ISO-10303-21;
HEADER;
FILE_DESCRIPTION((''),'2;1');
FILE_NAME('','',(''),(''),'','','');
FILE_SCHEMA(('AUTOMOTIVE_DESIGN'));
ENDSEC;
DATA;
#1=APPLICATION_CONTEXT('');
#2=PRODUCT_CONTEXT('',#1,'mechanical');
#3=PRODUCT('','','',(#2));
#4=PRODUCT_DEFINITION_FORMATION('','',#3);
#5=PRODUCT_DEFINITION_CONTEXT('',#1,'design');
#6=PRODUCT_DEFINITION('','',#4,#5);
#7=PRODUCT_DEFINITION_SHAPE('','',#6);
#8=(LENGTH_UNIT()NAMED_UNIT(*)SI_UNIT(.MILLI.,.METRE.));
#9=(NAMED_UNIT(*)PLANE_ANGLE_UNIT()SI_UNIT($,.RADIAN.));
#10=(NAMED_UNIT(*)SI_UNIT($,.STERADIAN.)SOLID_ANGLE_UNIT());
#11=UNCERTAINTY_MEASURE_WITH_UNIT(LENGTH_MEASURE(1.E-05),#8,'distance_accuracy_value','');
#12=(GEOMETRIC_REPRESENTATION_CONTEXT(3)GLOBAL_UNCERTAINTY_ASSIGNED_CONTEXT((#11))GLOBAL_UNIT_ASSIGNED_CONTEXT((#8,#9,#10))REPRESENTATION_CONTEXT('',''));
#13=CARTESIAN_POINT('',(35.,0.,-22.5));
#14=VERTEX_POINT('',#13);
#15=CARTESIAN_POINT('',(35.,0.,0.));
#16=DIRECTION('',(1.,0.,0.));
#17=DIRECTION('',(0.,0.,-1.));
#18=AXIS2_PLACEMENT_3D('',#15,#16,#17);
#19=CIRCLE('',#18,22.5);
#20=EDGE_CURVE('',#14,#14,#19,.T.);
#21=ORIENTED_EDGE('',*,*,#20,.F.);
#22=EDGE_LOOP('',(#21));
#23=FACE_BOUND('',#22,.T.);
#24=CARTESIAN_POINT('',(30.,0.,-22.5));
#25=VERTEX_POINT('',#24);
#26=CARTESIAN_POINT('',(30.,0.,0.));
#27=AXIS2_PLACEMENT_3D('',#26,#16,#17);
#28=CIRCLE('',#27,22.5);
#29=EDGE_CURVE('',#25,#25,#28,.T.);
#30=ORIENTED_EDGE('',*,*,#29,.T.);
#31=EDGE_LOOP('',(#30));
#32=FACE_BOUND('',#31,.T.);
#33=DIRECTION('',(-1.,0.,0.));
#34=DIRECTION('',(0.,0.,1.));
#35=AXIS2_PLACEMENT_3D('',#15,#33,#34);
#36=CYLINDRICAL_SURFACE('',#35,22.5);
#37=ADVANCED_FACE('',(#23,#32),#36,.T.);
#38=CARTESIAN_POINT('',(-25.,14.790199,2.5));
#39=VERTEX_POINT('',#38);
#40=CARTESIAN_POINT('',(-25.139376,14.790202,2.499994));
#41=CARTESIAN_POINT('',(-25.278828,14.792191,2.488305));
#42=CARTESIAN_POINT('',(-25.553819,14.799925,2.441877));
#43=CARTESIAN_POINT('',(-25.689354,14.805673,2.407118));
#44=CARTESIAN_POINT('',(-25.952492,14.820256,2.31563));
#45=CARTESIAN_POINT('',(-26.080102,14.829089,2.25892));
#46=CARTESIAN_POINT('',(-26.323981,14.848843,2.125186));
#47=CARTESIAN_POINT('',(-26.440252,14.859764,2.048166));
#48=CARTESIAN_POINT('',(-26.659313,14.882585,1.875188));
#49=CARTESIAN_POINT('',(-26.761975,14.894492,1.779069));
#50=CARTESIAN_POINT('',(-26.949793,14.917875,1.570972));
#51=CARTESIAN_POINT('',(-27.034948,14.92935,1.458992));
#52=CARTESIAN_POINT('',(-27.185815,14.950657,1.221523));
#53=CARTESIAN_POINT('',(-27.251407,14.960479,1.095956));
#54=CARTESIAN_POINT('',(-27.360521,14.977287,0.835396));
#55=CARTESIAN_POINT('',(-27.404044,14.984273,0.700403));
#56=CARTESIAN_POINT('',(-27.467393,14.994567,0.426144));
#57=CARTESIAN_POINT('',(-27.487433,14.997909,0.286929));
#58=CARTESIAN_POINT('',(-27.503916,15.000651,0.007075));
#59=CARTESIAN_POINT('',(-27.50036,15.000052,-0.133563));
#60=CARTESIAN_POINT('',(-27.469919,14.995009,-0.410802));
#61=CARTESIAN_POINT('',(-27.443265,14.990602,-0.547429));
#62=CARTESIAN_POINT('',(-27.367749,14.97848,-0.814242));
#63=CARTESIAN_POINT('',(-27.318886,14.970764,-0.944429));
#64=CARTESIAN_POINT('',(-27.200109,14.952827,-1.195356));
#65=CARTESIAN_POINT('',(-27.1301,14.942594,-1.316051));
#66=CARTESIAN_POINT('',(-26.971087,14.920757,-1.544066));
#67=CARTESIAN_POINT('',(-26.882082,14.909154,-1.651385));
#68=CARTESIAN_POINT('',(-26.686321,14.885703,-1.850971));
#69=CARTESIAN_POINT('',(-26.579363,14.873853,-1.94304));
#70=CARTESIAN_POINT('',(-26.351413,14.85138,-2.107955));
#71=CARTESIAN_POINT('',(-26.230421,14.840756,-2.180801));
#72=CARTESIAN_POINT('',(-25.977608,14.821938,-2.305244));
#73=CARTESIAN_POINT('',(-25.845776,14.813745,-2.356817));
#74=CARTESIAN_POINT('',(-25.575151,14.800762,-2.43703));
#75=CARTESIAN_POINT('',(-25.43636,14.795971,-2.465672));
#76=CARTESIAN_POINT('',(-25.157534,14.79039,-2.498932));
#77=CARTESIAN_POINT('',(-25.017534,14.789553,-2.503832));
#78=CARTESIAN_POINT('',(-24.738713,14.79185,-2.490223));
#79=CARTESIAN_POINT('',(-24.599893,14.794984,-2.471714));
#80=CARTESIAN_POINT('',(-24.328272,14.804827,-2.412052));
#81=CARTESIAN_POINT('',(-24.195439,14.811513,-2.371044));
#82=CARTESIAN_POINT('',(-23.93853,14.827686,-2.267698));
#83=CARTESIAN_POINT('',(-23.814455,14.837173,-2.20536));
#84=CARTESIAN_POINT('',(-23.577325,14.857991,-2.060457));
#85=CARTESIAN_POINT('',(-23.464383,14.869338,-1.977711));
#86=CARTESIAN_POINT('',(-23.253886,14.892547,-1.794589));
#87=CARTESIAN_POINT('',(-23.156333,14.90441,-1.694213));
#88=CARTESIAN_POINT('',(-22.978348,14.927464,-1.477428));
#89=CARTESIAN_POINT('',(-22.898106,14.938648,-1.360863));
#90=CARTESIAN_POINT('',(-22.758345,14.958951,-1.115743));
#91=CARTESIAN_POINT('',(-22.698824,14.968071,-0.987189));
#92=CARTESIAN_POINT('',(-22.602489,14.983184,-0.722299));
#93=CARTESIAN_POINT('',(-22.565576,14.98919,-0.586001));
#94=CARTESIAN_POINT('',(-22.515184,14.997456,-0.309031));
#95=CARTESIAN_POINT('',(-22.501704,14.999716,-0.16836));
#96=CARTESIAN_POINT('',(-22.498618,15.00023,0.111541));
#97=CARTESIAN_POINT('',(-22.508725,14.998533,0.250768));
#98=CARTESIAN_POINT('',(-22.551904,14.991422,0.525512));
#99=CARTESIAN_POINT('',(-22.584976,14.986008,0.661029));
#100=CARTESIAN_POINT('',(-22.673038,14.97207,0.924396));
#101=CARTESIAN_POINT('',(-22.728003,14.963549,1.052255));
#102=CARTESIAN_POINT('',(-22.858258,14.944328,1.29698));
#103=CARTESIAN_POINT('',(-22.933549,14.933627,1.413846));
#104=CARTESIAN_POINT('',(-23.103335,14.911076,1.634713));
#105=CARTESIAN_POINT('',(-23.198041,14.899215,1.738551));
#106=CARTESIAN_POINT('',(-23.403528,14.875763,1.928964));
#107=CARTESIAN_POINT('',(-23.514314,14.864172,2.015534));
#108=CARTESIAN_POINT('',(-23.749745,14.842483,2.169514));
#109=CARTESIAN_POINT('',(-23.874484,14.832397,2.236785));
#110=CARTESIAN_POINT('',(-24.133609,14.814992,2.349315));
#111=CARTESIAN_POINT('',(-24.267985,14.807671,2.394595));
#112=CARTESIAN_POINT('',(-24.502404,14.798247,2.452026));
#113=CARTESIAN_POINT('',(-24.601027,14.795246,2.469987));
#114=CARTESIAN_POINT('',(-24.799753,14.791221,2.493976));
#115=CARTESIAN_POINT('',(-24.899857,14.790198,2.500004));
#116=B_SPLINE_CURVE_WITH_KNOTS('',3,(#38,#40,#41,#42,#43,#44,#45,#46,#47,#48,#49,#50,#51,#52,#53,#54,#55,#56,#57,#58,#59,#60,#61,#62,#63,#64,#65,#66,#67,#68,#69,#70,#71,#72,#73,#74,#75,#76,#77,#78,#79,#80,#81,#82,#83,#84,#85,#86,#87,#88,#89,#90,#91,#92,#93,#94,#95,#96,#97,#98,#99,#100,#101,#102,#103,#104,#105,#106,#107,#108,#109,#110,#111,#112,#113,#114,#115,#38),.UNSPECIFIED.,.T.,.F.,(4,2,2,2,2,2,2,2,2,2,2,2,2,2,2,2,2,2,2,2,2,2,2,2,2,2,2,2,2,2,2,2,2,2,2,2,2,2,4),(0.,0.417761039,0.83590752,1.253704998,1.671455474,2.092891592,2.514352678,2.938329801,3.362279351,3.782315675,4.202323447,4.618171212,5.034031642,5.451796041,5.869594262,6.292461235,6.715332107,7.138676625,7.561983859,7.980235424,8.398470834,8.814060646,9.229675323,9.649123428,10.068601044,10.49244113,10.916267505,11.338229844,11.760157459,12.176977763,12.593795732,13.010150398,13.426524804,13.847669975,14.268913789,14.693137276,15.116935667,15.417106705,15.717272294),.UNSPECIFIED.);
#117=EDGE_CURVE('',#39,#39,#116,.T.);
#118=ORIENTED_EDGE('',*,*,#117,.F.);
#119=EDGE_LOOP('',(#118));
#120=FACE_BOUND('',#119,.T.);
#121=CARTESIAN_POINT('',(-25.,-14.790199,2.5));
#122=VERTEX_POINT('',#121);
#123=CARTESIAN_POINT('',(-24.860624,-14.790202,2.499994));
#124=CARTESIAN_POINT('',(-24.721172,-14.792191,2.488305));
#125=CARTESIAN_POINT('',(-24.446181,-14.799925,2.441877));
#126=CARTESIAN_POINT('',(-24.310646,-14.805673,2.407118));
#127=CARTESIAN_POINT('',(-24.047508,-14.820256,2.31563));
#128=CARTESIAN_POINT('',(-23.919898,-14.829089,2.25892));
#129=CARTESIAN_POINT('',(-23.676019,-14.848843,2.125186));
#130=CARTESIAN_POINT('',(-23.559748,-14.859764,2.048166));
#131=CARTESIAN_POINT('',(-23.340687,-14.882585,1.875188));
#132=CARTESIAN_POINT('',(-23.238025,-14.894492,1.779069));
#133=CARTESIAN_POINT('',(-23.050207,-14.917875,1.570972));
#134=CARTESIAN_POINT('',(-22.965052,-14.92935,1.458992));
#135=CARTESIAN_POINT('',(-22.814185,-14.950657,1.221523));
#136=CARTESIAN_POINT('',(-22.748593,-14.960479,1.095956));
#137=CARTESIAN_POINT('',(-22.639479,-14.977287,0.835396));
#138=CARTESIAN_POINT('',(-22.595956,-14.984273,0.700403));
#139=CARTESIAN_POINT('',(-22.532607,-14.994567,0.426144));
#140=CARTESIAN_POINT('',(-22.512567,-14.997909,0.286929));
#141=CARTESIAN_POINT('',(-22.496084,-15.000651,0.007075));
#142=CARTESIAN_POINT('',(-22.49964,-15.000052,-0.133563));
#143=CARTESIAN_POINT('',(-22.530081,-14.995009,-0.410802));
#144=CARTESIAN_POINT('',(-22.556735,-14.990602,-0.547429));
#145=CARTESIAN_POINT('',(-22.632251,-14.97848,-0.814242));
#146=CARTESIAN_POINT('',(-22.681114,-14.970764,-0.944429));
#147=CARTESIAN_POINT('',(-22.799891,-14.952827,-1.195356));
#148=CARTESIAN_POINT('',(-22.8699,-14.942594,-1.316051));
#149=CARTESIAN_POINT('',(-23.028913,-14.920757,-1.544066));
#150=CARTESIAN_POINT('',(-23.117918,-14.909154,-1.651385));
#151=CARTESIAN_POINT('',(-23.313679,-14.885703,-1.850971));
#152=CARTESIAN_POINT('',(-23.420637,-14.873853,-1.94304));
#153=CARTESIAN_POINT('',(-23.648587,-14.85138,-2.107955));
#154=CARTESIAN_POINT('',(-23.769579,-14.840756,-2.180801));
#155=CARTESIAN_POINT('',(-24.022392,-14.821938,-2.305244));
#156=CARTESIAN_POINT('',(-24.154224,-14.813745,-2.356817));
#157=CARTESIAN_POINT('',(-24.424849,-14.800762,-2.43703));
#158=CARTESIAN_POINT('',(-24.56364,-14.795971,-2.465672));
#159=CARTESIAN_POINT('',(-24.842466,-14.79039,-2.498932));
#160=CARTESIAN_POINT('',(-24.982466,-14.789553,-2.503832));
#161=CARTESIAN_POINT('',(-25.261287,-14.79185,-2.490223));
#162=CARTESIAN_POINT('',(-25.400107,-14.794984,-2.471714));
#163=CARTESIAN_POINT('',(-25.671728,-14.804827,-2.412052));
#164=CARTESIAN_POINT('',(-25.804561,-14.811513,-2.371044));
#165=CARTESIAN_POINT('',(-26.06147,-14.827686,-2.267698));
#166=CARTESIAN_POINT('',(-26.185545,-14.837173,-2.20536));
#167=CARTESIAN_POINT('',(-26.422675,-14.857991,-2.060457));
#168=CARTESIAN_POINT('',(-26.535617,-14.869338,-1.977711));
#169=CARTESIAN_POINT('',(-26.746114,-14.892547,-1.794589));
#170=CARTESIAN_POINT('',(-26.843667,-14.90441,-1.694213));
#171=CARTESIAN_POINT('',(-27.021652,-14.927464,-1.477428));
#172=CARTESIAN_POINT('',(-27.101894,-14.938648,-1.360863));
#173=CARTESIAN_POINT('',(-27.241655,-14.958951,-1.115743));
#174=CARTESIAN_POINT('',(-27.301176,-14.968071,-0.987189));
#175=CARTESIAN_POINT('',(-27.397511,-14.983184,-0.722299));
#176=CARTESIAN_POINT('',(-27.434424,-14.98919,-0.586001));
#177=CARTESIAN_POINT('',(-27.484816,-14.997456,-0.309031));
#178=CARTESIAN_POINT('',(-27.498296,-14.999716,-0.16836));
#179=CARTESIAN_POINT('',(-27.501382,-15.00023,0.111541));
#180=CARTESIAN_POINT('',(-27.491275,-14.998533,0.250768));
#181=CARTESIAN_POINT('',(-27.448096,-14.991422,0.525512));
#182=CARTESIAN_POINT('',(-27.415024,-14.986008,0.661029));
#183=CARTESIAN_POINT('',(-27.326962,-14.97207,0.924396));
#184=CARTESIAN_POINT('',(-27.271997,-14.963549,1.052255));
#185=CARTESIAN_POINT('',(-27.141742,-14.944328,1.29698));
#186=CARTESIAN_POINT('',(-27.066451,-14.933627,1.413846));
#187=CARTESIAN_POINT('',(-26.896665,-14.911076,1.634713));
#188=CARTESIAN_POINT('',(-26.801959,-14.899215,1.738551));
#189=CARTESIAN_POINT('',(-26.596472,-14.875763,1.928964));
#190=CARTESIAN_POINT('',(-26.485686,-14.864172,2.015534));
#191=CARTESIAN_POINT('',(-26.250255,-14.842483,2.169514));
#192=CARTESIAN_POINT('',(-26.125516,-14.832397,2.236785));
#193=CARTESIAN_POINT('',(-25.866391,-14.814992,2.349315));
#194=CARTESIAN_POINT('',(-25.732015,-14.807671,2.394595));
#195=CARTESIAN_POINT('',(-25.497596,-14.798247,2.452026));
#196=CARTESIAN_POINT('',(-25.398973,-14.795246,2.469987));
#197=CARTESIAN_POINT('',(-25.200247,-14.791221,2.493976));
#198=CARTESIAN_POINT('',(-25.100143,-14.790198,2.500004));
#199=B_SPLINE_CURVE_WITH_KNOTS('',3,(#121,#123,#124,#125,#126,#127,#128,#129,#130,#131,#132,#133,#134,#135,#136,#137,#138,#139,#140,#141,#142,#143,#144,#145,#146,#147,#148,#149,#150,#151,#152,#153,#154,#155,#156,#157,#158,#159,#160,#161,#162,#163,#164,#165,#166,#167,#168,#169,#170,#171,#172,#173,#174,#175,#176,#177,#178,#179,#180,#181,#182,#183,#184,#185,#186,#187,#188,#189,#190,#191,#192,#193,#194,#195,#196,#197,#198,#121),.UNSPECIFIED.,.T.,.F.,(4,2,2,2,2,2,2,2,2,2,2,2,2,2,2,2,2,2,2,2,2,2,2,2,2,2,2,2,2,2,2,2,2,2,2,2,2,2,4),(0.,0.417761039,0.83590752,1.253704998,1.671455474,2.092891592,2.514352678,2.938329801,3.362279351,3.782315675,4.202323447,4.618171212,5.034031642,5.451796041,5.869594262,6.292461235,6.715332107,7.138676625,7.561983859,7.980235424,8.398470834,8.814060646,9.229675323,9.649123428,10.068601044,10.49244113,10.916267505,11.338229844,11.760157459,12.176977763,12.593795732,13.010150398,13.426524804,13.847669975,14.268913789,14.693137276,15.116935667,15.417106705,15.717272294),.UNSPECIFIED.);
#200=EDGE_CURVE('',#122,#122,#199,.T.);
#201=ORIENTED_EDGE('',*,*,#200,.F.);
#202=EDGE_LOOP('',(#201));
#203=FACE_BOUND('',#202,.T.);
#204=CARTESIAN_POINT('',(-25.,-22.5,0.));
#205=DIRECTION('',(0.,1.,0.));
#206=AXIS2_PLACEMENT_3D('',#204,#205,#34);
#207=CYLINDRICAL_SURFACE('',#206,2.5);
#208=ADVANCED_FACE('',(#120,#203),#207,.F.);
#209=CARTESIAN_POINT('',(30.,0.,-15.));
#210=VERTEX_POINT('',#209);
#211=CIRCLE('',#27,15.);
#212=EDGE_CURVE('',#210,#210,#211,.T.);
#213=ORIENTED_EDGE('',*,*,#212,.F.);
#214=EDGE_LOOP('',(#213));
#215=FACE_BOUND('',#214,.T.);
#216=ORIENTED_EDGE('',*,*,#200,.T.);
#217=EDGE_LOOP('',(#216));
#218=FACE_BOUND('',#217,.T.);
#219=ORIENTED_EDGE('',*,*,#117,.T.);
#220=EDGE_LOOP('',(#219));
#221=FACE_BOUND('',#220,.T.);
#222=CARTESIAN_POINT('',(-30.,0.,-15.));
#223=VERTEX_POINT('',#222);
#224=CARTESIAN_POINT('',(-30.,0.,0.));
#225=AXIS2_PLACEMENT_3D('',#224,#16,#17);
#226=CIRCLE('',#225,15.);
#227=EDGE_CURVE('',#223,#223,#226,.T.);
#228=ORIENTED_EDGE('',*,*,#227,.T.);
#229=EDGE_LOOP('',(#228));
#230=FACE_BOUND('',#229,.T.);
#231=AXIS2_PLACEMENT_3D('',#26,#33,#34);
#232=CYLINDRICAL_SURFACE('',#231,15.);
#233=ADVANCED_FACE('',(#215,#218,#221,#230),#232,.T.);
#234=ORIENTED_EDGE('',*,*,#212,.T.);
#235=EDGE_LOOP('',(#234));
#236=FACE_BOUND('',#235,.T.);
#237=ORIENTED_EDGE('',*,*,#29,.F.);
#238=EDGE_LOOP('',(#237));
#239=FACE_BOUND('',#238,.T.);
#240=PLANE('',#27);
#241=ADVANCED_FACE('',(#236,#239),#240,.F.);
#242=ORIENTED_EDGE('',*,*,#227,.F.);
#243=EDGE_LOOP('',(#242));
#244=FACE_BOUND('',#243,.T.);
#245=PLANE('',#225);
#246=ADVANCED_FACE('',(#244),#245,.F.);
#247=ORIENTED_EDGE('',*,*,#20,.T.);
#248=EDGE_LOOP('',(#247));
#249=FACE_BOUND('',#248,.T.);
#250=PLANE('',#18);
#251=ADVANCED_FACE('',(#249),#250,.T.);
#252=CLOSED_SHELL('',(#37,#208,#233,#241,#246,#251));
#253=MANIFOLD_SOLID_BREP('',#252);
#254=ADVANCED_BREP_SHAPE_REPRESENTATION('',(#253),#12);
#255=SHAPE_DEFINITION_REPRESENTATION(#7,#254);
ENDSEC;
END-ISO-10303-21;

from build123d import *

# Parameters (mm, degrees)
SKETCH1_R               = 15
BOSS_EXTRUDE1_DEPTH     = 30
SKETCH2_R               = 22.5
BOSS_EXTRUDE2_DEPTH     = 5
CUT_EXTRUDE1_DEPTH      = 48.302219821
CUT_EXTRUDE1_DEPTH_BACK = 48.302219821
SKETCH3_R               = 2.5


with BuildPart() as part:
    # Sketch1 → Boss-Extrude1 (new, symmetric)
    with BuildSketch(Plane(origin=(0, 0, 0), x_dir=(0, 0, -1), z_dir=(1, 0, 0))):
        Circle(SKETCH1_R)
    extrude(amount=BOSS_EXTRUDE1_DEPTH, both=True)

    # Sketch2 → Boss-Extrude2 (add)
    with BuildSketch(Plane(origin=(30, 0, 0), x_dir=(0, 0, -1), z_dir=(1, 0, 0))):
        Circle(SKETCH2_R)
    extrude(amount=BOSS_EXTRUDE2_DEPTH)

    # Sketch3 → Cut-Extrude1 (cut, two sides: drawn at the far end of the back side and taken through both)
    with BuildSketch(Plane(origin=(0, 0, 0), x_dir=(1, 0, 0), z_dir=(0, 1, 0)).offset(-CUT_EXTRUDE1_DEPTH_BACK)):
        with Locations(Location((-25, 0, 0), (0, 0, 270))):
            Circle(SKETCH3_R)
    extrude(amount=CUT_EXTRUDE1_DEPTH + CUT_EXTRUDE1_DEPTH_BACK, mode=Mode.SUBTRACT)


solid = part.part
